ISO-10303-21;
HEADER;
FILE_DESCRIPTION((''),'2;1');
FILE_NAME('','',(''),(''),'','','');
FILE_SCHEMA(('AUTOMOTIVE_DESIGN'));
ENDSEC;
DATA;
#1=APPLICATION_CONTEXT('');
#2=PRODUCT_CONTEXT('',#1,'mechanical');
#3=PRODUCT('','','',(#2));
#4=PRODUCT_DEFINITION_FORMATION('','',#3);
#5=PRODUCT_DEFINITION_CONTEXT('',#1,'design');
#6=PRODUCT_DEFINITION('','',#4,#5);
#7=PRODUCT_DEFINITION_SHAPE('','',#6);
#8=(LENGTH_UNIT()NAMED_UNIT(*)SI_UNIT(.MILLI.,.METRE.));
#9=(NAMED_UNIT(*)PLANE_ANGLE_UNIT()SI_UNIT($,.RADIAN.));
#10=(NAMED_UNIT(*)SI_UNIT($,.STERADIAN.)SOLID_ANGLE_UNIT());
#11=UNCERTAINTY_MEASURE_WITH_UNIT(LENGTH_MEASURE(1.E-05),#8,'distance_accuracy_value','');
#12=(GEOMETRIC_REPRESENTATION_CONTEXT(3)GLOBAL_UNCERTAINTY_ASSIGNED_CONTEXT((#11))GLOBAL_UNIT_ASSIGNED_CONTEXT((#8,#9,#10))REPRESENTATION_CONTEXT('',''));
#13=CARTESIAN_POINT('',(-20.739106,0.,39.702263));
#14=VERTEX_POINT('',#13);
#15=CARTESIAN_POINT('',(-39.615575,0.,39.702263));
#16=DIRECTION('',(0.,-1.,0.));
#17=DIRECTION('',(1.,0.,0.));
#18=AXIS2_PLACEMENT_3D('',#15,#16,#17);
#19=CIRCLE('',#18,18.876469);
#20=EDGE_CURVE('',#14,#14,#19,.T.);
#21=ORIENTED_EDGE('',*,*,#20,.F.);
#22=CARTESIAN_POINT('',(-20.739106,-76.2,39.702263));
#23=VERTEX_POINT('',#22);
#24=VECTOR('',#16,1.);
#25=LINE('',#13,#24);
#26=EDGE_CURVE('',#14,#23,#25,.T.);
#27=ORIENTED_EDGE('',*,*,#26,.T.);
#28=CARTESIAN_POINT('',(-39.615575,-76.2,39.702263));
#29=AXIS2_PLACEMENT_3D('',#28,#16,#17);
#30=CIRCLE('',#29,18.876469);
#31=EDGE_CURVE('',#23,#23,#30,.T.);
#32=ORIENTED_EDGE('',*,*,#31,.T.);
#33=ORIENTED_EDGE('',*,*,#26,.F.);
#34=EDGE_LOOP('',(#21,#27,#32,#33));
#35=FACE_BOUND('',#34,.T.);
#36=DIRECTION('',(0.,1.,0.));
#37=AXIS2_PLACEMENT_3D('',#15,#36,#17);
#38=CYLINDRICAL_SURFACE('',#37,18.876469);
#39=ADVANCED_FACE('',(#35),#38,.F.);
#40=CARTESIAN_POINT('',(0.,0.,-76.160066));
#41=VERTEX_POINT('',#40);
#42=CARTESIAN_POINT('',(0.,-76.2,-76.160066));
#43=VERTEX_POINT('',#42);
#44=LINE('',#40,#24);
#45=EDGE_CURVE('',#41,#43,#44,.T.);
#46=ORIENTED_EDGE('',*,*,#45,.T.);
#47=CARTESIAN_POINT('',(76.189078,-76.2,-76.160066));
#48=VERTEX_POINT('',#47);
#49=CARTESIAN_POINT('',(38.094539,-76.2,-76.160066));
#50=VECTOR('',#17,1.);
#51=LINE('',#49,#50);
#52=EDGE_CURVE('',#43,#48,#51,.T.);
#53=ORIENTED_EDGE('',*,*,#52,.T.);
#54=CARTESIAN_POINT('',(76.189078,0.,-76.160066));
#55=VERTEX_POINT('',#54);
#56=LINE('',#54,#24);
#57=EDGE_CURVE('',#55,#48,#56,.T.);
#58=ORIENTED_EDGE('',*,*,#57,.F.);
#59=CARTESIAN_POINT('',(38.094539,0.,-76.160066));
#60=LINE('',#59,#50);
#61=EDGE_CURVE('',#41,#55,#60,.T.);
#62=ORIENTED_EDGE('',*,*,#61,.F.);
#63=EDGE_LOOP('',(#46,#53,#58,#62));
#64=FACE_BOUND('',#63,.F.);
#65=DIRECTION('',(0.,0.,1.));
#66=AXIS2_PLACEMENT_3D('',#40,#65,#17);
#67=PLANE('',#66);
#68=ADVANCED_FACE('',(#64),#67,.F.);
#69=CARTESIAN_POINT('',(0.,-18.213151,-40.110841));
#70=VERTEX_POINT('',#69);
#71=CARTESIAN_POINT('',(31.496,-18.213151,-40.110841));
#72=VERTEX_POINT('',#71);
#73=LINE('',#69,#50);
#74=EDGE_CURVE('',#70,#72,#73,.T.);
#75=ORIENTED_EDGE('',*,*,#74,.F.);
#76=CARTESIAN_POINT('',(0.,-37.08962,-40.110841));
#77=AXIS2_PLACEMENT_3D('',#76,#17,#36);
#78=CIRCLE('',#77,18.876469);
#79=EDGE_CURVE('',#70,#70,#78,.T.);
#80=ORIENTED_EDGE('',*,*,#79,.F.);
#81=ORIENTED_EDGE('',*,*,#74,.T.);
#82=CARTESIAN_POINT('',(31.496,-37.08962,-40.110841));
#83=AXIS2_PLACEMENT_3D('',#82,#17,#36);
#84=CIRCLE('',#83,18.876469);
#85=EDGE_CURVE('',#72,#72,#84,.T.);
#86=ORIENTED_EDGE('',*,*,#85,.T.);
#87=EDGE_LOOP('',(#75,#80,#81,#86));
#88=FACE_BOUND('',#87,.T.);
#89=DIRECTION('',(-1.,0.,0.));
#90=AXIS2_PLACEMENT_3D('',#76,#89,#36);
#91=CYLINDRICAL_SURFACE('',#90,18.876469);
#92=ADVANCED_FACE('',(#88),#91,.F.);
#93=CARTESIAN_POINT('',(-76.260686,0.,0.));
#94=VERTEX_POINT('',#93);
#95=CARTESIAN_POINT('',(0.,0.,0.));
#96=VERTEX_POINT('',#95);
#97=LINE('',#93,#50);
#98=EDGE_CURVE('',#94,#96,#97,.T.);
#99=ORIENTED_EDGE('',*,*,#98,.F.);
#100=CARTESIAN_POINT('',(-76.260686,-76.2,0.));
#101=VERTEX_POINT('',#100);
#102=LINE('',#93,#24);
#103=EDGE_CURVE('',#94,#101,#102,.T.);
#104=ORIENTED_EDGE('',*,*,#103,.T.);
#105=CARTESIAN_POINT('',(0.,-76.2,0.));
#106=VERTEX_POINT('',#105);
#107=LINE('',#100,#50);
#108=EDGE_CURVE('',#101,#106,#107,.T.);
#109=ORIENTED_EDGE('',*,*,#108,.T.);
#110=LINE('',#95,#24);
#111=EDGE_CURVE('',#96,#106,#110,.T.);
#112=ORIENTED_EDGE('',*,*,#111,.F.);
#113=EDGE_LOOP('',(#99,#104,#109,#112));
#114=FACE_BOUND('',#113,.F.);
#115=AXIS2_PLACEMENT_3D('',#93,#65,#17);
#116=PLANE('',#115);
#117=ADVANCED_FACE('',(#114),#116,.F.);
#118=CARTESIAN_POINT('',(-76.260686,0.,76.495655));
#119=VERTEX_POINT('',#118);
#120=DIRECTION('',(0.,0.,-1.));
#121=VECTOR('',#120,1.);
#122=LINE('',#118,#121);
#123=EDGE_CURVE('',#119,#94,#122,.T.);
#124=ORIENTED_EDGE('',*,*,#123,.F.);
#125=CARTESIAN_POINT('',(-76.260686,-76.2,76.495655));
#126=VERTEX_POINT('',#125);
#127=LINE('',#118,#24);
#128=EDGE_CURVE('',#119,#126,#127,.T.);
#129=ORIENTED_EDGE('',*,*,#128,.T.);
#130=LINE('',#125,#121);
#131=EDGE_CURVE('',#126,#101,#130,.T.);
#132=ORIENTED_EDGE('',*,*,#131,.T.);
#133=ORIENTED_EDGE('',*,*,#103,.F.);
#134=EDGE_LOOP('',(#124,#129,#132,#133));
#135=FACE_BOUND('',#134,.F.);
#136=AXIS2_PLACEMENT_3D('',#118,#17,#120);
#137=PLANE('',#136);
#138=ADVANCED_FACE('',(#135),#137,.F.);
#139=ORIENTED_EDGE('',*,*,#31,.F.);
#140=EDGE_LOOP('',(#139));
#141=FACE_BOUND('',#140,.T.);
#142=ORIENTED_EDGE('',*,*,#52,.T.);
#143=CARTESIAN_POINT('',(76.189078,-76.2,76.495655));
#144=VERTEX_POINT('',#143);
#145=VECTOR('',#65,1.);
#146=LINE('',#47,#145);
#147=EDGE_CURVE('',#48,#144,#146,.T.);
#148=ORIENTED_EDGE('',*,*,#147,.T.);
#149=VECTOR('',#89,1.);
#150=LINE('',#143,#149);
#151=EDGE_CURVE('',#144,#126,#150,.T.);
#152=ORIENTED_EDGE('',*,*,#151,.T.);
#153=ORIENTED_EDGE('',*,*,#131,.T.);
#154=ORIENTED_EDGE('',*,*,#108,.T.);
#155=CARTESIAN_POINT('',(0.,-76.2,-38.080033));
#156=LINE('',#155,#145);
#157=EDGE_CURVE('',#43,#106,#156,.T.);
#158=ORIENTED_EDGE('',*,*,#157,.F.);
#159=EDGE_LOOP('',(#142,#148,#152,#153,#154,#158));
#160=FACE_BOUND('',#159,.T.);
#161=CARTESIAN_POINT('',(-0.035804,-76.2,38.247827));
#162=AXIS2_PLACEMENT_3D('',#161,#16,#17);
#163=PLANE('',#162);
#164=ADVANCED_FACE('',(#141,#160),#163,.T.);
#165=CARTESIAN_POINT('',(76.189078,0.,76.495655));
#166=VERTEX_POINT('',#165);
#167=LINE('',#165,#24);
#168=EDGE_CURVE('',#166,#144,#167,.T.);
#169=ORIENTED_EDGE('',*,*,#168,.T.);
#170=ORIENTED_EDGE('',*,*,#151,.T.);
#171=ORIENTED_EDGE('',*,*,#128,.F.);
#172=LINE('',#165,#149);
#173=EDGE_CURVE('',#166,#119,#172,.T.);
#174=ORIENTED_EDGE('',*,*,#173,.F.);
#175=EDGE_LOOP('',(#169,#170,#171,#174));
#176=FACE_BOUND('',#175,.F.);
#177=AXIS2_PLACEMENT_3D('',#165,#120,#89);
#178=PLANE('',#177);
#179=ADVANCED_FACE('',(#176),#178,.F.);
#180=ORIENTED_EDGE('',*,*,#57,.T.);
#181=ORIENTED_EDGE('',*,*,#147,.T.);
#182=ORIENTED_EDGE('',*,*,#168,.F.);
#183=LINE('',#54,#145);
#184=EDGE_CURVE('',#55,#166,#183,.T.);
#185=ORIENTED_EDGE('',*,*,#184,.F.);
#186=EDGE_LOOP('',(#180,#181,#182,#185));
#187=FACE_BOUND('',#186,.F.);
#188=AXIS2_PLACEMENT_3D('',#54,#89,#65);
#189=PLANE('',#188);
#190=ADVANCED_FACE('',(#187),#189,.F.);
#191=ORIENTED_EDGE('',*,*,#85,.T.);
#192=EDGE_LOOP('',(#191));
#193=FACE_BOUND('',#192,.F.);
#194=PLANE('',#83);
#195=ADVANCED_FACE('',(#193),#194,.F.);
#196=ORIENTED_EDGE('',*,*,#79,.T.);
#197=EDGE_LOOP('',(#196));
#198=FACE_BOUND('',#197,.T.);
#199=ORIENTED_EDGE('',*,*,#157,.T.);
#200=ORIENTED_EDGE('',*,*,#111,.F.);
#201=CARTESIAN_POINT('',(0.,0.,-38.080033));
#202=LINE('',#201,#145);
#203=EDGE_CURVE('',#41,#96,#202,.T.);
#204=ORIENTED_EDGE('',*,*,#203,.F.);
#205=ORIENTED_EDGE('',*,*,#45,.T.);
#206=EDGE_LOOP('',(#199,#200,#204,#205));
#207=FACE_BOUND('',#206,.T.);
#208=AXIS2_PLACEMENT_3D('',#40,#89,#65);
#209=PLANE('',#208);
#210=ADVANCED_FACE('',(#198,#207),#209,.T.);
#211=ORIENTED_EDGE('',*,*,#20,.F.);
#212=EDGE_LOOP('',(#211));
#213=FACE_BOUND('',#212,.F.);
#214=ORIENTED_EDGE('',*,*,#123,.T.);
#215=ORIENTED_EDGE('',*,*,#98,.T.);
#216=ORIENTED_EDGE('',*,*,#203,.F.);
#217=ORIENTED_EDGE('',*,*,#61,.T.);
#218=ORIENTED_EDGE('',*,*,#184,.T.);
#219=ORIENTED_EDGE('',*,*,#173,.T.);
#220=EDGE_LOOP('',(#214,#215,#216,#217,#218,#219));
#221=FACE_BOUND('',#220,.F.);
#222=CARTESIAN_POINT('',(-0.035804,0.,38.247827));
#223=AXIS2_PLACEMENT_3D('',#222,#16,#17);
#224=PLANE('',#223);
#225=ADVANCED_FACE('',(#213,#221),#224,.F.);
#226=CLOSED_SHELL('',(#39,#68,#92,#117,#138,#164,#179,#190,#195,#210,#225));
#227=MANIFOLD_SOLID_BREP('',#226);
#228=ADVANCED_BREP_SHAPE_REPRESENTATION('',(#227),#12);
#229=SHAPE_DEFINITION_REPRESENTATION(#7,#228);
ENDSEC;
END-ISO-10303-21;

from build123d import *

# Parameters (mm, degrees)
F0_R     = 18.876469
F0_W     = 76.189078
F0_H     = 76.160066
F1_DEPTH = 76.2
F2_R     = 18.876469
F3_DEPTH = 31.496


with BuildPart() as f1:
    # F0 (on Front) → F1 (new body)
    with BuildSketch(Plane.XZ):
        Polygon((76.189078, 76.495655), (-76.260686, 76.495655), (-76.260686, 0), (0, 0), (76.189078, 0), align=None)
        with Locations((-39.615575, 39.702263)):
            Circle(F0_R, mode=Mode.SUBTRACT)
        with Locations((38.094539, -38.080033)):
            Rectangle(F0_W, F0_H)
    extrude(amount=F1_DEPTH)

    # F2 (on Right) → F3 (cut)
    with BuildSketch(Plane.YZ):
        with Locations((-37.08962, -40.110841)):
            Circle(F2_R)
    extrude(amount=F3_DEPTH, mode=Mode.SUBTRACT)


solid = f1.part
